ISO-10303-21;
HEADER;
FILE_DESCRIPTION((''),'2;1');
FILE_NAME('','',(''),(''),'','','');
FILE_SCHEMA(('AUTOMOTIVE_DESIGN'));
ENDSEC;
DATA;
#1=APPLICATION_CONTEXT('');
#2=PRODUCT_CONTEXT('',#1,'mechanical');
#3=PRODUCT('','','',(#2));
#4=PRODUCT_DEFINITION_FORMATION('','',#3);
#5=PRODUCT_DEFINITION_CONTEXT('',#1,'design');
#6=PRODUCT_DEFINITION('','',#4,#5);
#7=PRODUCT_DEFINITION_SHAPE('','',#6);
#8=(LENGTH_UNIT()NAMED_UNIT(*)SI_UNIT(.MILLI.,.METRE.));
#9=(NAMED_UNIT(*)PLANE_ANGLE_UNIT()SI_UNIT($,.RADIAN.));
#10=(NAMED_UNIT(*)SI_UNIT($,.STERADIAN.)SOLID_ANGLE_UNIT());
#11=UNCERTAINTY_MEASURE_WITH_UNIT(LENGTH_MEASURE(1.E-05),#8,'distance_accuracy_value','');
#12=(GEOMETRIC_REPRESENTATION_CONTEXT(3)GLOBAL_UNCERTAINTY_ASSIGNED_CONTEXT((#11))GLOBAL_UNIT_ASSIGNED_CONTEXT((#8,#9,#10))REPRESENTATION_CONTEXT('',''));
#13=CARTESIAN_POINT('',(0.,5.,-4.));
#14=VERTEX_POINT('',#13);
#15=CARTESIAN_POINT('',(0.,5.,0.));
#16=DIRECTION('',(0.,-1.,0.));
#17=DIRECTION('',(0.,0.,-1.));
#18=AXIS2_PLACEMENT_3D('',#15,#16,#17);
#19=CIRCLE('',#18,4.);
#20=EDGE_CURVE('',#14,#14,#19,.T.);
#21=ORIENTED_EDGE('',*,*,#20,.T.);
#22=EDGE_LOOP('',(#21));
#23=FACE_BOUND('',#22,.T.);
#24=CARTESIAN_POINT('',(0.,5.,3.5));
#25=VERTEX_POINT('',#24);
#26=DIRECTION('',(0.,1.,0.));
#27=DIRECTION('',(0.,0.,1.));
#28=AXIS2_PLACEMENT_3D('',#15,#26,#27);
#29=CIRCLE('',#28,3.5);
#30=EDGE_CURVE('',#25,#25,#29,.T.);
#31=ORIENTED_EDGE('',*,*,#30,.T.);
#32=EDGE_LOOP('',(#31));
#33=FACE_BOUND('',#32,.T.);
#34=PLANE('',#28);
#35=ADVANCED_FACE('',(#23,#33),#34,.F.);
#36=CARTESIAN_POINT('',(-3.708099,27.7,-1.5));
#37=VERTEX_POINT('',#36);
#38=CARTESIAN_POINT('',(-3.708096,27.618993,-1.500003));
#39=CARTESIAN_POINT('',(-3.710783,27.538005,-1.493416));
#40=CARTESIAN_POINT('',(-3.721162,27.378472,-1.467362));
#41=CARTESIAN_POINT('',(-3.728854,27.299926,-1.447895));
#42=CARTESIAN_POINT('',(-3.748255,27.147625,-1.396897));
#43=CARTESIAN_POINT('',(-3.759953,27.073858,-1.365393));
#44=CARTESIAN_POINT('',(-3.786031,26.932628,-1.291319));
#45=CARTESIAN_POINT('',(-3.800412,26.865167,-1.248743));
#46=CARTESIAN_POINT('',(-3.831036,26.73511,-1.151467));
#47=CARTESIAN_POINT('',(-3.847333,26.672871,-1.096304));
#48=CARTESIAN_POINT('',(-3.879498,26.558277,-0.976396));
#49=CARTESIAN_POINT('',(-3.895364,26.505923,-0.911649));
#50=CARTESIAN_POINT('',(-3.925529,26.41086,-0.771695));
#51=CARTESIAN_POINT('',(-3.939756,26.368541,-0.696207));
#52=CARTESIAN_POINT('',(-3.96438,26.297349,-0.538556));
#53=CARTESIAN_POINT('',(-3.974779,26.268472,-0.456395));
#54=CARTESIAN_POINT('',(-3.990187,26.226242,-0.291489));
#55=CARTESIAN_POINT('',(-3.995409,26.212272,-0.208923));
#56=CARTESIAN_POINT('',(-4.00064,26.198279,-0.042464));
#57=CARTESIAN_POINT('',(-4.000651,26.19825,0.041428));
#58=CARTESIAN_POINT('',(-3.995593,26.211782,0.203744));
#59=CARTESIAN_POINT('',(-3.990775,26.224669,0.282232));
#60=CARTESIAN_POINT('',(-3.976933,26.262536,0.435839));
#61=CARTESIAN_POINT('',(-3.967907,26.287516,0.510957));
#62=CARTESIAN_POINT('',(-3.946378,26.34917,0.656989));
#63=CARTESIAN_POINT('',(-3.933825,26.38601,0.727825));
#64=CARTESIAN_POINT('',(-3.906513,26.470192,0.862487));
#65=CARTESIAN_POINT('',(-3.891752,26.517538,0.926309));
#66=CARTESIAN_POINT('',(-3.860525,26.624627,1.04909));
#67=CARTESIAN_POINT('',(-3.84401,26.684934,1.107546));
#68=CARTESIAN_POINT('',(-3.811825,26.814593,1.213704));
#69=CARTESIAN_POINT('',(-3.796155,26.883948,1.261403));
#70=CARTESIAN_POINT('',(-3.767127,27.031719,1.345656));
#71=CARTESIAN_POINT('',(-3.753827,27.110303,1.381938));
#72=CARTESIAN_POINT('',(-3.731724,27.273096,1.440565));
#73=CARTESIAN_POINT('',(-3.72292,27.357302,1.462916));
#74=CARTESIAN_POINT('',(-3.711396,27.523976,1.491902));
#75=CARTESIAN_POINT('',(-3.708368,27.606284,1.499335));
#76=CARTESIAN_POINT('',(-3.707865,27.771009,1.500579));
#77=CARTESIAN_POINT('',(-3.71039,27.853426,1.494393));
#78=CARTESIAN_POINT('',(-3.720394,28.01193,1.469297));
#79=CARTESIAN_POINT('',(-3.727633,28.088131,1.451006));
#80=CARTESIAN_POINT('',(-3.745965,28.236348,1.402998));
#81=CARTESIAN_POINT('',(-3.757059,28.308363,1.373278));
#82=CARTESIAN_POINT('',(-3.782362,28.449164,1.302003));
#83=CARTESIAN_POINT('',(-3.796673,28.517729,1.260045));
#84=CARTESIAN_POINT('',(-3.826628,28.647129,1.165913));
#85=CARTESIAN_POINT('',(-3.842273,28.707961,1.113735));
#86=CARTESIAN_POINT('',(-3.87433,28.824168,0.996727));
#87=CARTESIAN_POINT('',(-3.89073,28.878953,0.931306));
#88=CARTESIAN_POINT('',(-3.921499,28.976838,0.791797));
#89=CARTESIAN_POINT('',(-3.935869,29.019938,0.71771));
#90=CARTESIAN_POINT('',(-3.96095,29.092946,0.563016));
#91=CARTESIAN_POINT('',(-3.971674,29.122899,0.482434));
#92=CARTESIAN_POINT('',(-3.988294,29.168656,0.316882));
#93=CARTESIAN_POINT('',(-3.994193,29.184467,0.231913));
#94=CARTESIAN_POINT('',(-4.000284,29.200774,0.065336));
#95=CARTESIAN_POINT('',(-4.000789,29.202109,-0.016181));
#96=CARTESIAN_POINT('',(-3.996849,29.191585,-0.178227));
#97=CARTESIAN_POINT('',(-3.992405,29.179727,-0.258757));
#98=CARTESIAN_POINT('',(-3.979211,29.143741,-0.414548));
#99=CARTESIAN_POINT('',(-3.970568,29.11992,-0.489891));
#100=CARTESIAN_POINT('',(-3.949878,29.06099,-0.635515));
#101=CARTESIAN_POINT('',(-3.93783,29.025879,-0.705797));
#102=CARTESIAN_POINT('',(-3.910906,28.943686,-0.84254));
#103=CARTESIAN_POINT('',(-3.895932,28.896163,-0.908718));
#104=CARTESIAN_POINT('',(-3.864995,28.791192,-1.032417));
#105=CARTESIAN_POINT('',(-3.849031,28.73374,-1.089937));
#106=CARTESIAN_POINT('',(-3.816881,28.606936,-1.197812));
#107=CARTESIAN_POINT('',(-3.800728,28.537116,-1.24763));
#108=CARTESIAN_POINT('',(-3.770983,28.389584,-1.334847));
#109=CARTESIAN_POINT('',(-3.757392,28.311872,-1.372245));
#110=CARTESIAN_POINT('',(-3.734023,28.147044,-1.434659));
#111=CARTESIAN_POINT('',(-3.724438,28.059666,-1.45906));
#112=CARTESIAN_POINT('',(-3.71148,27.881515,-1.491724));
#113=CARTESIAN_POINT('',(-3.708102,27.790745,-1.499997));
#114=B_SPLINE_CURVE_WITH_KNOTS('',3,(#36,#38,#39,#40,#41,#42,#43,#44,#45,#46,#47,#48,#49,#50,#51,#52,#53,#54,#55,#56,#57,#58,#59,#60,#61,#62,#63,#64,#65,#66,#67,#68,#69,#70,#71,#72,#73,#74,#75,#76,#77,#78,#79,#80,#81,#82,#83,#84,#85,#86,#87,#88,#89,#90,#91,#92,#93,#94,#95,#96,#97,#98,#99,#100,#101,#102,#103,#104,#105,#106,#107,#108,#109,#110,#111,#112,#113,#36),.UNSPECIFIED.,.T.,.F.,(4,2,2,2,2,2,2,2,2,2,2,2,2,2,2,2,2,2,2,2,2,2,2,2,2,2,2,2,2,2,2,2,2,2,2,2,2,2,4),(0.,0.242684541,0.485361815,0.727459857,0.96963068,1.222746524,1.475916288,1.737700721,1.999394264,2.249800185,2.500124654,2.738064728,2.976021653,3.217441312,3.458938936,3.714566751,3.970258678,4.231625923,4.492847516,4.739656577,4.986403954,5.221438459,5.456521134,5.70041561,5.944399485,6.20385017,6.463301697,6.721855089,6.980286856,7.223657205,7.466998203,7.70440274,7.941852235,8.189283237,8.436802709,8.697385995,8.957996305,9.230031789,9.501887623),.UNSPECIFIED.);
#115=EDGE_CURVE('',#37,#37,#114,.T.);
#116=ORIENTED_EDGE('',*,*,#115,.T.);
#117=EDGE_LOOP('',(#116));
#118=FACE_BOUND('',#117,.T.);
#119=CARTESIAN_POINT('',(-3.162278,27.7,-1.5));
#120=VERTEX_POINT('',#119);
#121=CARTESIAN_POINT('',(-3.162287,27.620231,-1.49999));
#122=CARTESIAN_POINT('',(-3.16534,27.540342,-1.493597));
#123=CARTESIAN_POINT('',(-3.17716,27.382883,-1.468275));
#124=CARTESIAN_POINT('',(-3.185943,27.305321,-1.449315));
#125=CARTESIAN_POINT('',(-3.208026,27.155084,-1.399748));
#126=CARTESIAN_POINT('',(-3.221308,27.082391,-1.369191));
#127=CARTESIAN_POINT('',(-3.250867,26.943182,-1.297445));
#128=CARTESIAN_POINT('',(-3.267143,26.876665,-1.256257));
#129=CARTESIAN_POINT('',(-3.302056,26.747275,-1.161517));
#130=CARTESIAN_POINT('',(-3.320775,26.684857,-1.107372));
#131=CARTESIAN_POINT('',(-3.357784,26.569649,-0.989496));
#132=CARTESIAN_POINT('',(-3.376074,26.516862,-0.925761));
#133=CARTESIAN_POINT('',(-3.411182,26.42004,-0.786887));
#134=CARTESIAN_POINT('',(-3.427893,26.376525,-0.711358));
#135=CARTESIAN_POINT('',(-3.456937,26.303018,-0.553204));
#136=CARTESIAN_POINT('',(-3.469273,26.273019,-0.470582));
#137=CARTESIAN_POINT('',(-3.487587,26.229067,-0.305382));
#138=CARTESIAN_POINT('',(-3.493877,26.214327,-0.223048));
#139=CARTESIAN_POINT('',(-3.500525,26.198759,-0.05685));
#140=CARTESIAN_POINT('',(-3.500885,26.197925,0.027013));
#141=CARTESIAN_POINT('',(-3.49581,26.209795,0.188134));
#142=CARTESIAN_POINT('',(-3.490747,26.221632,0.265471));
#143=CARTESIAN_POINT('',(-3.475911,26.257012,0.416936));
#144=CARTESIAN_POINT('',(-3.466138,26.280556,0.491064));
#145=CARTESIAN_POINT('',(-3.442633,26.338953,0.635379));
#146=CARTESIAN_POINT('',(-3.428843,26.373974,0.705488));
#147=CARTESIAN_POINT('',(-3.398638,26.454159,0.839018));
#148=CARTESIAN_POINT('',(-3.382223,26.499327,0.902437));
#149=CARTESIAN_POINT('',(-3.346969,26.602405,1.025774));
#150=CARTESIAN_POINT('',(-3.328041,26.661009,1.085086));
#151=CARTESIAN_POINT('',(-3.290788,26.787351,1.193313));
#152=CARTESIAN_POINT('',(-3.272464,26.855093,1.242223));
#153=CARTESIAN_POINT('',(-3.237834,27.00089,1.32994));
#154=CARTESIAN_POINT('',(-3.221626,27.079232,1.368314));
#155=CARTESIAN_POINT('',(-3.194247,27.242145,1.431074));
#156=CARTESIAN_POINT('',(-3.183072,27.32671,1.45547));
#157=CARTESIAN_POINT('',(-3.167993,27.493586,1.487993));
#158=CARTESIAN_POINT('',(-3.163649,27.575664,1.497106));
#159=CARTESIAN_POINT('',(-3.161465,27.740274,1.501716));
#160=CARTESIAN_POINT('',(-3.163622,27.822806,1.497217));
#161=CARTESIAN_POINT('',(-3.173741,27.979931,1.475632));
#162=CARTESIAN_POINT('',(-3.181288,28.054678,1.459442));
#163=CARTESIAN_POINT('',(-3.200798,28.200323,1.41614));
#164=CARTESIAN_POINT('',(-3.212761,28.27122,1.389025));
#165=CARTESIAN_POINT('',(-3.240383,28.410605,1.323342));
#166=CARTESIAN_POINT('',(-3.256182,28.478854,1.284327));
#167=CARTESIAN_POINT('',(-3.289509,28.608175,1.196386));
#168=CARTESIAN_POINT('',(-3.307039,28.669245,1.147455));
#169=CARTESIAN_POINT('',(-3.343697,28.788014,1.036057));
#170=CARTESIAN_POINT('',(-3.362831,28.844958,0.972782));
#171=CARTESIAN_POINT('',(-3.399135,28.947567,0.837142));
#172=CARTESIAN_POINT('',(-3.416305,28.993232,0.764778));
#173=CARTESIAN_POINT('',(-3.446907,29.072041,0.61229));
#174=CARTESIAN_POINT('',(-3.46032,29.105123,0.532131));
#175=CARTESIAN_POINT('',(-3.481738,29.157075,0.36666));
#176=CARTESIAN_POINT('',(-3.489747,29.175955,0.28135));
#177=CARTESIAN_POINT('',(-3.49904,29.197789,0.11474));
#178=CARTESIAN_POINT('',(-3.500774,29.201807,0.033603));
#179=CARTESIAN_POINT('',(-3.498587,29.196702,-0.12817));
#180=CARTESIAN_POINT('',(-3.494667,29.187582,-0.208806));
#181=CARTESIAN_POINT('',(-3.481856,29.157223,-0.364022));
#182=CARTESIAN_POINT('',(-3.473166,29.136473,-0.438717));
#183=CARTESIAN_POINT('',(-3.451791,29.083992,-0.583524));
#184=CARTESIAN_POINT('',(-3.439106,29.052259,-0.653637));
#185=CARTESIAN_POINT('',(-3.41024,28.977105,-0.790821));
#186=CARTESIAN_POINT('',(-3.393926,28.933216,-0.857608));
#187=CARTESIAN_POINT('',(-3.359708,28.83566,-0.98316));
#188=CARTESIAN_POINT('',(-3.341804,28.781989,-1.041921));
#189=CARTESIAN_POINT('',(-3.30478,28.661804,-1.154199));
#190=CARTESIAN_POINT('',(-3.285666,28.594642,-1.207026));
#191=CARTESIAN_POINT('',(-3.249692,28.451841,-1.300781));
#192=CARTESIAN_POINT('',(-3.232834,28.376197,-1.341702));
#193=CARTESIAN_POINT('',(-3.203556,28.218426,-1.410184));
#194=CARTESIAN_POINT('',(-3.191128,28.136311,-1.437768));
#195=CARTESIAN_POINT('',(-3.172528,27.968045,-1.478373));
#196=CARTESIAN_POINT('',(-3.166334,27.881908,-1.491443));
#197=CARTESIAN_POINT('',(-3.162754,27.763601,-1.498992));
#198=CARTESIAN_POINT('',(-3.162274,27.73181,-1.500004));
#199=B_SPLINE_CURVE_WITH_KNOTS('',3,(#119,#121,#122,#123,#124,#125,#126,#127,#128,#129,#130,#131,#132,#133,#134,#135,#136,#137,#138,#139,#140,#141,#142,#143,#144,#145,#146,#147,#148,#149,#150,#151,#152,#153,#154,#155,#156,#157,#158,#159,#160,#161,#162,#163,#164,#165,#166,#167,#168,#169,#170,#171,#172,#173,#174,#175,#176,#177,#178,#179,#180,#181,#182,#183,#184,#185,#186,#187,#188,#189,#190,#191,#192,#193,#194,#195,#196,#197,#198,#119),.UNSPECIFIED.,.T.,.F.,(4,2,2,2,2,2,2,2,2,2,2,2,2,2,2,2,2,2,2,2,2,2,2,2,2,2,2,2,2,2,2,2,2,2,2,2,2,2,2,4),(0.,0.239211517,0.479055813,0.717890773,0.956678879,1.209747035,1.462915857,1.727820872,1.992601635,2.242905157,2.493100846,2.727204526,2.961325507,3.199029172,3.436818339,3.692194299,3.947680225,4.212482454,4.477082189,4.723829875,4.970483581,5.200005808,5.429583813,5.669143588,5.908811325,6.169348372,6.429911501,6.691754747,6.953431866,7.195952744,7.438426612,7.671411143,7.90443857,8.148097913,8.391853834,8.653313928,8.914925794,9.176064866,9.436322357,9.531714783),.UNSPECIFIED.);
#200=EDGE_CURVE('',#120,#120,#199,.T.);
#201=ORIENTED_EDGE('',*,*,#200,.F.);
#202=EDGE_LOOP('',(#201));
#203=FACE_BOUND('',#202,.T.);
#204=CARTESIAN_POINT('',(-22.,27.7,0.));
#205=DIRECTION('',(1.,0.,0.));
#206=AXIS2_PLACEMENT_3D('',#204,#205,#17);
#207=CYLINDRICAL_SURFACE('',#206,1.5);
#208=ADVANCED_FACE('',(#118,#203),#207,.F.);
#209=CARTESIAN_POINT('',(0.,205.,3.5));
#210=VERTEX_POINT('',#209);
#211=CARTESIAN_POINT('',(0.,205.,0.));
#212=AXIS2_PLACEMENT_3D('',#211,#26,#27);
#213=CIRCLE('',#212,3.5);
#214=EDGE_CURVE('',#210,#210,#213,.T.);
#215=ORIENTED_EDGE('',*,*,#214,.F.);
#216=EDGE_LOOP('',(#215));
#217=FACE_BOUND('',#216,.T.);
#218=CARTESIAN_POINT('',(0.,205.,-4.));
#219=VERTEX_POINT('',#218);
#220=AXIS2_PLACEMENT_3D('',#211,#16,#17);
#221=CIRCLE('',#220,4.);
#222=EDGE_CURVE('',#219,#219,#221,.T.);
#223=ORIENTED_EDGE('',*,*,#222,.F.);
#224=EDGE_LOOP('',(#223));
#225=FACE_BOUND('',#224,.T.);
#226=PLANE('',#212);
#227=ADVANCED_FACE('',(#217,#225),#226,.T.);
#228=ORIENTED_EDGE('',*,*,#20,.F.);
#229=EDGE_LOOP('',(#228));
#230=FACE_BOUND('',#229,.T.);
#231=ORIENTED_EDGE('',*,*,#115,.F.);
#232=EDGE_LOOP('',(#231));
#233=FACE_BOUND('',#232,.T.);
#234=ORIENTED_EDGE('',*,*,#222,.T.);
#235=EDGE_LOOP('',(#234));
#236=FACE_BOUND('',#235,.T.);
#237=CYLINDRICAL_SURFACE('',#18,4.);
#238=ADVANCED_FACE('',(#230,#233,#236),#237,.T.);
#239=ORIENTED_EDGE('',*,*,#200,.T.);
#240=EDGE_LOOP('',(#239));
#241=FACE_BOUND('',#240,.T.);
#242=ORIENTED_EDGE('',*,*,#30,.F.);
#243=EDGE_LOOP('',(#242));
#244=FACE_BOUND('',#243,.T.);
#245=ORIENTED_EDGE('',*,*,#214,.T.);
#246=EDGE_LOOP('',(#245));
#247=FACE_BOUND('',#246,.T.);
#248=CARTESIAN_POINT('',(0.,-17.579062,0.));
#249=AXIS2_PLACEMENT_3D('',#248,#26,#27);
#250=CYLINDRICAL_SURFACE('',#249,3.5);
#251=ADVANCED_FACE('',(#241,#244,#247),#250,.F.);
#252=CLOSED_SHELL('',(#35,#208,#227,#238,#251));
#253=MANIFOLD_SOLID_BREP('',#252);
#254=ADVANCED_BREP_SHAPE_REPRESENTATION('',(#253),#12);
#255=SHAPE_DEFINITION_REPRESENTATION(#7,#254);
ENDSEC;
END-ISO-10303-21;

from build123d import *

# Parameters (mm, degrees)
SKETCH1_W          = 4
SKETCH1_H          = 200
SKETCH2_R          = 3.5
CUT_EXTRUDE1_DEPTH = 222.579061521
SKETCH3_R          = 1.5
CUT_EXTRUDE2_DEPTH = 22


with BuildPart() as part:
    # Sketch1 → Revolve1 (revolve)
    with BuildSketch(Plane.XY, mode=Mode.PRIVATE) as revolve1_sk:
        with Locations((-2, 105)):
            Rectangle(SKETCH1_W, SKETCH1_H)
    revolve(revolve1_sk.sketch.rotate(Axis((0, 5, 0), (0, 1, 0)), 270), axis=Axis((0, 5, 0), (0, 1, 0)))

    # Sketch2 → Cut-Extrude1 (cut)
    with BuildSketch(Plane(origin=(0, 205, 0), x_dir=(1, 0, 0), z_dir=(0, 1, 0))):
        with Locations(Location((0, 0, 0), (0, 0, 270))):
            Circle(SKETCH2_R)
    extrude(amount=-CUT_EXTRUDE1_DEPTH, mode=Mode.SUBTRACT)

    # Sketch3 → Cut-Extrude2 (cut)
    with BuildSketch(Plane(origin=(0, 0, 0), x_dir=(0, 0, -1), z_dir=(1, 0, 0))):
        with Locations((0, 27.7)):
            Circle(SKETCH3_R)
    extrude(amount=-CUT_EXTRUDE2_DEPTH, mode=Mode.SUBTRACT)


solid = part.part
